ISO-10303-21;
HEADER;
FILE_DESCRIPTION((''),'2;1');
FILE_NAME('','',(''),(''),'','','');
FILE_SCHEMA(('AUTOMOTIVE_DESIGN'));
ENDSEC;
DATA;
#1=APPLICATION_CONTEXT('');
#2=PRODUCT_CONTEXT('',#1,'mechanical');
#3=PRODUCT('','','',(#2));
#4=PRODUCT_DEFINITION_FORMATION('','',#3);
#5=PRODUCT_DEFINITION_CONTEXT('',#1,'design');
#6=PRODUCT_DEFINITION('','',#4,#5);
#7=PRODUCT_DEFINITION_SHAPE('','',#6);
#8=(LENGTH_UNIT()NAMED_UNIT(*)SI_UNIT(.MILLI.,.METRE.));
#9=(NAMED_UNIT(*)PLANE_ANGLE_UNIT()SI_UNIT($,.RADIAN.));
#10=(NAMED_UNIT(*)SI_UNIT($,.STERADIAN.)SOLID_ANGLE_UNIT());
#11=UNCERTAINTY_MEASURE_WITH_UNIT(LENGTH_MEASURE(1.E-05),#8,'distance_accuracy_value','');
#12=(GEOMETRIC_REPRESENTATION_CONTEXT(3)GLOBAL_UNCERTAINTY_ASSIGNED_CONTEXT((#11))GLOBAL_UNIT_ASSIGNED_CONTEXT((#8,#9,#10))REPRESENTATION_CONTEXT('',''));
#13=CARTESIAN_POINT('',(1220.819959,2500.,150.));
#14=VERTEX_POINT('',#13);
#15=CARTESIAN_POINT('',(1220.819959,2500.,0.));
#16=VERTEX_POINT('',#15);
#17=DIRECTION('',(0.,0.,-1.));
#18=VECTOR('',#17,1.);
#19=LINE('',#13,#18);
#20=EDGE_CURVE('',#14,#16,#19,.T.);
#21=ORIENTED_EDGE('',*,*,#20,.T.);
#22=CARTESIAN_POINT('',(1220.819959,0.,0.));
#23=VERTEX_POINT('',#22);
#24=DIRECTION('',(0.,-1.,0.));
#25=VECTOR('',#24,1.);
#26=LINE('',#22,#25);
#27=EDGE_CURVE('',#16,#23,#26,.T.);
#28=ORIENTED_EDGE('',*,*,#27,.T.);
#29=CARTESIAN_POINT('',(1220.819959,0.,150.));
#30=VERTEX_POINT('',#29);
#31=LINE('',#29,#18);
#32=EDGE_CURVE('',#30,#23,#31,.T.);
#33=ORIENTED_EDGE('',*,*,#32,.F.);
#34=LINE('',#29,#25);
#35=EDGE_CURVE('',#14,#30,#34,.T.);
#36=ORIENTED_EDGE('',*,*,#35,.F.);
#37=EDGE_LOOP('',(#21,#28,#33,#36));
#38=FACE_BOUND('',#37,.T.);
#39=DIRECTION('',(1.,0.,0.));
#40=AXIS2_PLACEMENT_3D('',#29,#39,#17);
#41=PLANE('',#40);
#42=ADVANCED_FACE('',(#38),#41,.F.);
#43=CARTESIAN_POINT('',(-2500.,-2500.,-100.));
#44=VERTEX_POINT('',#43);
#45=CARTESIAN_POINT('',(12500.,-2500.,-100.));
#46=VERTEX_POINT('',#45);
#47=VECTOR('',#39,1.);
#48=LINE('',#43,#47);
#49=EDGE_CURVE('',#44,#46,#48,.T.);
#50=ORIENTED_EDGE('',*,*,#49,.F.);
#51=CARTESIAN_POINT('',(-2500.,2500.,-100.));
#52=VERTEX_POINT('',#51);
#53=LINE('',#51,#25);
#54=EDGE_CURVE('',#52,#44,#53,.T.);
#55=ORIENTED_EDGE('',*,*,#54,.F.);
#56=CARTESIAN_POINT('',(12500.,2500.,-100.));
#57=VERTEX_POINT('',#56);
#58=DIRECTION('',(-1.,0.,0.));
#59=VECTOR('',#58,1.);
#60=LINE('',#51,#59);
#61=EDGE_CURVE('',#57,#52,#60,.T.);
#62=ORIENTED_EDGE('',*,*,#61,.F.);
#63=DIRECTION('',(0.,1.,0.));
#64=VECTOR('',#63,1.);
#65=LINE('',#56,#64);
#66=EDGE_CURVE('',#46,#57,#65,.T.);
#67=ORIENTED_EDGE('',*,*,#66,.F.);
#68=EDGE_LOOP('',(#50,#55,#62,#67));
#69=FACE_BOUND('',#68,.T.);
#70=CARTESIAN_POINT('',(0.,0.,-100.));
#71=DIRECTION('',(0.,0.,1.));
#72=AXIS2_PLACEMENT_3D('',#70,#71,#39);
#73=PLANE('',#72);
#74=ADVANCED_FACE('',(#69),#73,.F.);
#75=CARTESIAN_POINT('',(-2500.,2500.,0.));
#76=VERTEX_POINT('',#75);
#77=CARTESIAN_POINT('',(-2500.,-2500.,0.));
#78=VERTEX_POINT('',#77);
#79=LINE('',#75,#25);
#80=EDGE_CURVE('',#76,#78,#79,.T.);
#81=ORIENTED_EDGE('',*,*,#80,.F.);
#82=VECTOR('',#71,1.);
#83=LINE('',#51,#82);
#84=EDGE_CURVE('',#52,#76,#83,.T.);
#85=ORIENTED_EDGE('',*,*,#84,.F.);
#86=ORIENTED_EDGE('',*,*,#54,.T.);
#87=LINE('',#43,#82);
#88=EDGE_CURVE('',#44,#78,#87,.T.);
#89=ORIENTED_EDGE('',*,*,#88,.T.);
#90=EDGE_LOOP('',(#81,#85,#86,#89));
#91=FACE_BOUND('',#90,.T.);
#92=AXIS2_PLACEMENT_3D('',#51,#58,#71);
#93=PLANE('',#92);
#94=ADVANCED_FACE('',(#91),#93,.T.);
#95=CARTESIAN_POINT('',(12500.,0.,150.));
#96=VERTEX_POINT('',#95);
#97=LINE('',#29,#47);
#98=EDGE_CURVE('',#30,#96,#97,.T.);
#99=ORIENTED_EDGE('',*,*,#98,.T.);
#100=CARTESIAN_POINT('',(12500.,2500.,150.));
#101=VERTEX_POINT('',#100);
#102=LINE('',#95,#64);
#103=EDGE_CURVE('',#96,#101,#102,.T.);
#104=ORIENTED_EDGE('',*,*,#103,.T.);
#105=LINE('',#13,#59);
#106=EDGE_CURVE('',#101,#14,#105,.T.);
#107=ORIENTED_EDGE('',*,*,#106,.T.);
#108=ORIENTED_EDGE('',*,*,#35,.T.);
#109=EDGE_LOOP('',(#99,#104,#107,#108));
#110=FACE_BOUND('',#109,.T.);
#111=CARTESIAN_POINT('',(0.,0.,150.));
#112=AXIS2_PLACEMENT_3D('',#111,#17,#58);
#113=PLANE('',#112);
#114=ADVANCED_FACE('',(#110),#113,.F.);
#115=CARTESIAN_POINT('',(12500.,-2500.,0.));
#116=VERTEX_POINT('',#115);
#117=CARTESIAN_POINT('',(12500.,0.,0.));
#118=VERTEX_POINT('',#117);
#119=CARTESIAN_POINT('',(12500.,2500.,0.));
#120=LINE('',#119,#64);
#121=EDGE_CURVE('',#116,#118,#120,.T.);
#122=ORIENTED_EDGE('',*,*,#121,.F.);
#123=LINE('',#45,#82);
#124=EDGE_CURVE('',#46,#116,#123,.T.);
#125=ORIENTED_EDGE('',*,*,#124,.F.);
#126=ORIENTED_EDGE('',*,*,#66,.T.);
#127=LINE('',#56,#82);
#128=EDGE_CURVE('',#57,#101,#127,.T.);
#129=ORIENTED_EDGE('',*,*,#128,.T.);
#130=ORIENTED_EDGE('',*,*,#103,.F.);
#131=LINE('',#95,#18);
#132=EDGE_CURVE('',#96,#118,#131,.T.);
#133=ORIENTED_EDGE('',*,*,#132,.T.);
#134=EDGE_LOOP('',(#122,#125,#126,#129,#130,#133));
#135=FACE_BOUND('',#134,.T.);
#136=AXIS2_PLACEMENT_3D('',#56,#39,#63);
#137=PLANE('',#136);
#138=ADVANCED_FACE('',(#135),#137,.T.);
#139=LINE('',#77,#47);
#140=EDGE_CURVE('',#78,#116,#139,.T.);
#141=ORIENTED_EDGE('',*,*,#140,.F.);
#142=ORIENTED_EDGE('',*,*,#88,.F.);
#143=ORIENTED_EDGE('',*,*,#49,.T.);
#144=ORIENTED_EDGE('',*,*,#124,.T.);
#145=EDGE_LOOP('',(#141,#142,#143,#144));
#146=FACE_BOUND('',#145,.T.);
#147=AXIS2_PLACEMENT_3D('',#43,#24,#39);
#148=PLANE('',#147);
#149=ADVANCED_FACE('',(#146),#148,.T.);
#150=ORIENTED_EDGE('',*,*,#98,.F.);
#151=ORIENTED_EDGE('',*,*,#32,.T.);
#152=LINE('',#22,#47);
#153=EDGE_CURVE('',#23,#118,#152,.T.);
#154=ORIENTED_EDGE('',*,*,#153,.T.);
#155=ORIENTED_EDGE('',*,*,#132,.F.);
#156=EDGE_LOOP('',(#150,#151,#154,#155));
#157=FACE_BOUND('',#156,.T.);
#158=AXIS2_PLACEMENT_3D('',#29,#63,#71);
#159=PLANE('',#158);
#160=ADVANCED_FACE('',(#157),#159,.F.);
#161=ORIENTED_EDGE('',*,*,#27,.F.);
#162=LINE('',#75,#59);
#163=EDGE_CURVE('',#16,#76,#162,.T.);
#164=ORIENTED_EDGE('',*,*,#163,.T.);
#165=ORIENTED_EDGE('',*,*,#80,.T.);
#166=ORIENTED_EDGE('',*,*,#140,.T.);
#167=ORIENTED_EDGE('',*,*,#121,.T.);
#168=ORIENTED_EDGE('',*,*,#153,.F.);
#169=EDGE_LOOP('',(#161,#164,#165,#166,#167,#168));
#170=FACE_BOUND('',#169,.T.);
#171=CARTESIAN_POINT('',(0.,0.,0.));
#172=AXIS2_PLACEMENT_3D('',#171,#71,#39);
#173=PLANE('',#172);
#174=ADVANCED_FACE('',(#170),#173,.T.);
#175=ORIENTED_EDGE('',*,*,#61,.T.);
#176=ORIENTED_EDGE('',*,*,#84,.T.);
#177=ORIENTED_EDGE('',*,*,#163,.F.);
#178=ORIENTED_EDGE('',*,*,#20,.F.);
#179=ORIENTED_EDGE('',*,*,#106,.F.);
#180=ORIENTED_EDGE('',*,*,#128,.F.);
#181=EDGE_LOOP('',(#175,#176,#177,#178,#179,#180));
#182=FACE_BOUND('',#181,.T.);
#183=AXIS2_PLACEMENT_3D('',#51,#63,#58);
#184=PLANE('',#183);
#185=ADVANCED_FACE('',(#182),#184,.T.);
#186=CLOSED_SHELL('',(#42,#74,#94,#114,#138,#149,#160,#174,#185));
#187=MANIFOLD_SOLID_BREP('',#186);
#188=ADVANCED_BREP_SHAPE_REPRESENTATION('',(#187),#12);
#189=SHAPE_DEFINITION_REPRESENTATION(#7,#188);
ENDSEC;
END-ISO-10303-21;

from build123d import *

# Parameters (mm, degrees)
SKETCH1_W           = 15000
SKETCH1_H           = 5000
BOSS_EXTRUDE1_DEPTH = 100
SKETCH2_W           = 11279.180041077
SKETCH2_H           = 2500
BOSS_EXTRUDE2_DEPTH = 150


with BuildPart() as part:
    # Sketch1 → Boss-Extrude1 (new body)
    with BuildSketch(Plane.XY):
        with Locations((5000, 0)):
            Rectangle(SKETCH1_W, SKETCH1_H)
    extrude(amount=-BOSS_EXTRUDE1_DEPTH)

    # Sketch2 → Boss-Extrude2 (add)
    with BuildSketch(Plane.XY):
        with Locations((6860.409979462, 1250)):
            Rectangle(SKETCH2_W, SKETCH2_H)
    extrude(amount=BOSS_EXTRUDE2_DEPTH)


solid = part.part
